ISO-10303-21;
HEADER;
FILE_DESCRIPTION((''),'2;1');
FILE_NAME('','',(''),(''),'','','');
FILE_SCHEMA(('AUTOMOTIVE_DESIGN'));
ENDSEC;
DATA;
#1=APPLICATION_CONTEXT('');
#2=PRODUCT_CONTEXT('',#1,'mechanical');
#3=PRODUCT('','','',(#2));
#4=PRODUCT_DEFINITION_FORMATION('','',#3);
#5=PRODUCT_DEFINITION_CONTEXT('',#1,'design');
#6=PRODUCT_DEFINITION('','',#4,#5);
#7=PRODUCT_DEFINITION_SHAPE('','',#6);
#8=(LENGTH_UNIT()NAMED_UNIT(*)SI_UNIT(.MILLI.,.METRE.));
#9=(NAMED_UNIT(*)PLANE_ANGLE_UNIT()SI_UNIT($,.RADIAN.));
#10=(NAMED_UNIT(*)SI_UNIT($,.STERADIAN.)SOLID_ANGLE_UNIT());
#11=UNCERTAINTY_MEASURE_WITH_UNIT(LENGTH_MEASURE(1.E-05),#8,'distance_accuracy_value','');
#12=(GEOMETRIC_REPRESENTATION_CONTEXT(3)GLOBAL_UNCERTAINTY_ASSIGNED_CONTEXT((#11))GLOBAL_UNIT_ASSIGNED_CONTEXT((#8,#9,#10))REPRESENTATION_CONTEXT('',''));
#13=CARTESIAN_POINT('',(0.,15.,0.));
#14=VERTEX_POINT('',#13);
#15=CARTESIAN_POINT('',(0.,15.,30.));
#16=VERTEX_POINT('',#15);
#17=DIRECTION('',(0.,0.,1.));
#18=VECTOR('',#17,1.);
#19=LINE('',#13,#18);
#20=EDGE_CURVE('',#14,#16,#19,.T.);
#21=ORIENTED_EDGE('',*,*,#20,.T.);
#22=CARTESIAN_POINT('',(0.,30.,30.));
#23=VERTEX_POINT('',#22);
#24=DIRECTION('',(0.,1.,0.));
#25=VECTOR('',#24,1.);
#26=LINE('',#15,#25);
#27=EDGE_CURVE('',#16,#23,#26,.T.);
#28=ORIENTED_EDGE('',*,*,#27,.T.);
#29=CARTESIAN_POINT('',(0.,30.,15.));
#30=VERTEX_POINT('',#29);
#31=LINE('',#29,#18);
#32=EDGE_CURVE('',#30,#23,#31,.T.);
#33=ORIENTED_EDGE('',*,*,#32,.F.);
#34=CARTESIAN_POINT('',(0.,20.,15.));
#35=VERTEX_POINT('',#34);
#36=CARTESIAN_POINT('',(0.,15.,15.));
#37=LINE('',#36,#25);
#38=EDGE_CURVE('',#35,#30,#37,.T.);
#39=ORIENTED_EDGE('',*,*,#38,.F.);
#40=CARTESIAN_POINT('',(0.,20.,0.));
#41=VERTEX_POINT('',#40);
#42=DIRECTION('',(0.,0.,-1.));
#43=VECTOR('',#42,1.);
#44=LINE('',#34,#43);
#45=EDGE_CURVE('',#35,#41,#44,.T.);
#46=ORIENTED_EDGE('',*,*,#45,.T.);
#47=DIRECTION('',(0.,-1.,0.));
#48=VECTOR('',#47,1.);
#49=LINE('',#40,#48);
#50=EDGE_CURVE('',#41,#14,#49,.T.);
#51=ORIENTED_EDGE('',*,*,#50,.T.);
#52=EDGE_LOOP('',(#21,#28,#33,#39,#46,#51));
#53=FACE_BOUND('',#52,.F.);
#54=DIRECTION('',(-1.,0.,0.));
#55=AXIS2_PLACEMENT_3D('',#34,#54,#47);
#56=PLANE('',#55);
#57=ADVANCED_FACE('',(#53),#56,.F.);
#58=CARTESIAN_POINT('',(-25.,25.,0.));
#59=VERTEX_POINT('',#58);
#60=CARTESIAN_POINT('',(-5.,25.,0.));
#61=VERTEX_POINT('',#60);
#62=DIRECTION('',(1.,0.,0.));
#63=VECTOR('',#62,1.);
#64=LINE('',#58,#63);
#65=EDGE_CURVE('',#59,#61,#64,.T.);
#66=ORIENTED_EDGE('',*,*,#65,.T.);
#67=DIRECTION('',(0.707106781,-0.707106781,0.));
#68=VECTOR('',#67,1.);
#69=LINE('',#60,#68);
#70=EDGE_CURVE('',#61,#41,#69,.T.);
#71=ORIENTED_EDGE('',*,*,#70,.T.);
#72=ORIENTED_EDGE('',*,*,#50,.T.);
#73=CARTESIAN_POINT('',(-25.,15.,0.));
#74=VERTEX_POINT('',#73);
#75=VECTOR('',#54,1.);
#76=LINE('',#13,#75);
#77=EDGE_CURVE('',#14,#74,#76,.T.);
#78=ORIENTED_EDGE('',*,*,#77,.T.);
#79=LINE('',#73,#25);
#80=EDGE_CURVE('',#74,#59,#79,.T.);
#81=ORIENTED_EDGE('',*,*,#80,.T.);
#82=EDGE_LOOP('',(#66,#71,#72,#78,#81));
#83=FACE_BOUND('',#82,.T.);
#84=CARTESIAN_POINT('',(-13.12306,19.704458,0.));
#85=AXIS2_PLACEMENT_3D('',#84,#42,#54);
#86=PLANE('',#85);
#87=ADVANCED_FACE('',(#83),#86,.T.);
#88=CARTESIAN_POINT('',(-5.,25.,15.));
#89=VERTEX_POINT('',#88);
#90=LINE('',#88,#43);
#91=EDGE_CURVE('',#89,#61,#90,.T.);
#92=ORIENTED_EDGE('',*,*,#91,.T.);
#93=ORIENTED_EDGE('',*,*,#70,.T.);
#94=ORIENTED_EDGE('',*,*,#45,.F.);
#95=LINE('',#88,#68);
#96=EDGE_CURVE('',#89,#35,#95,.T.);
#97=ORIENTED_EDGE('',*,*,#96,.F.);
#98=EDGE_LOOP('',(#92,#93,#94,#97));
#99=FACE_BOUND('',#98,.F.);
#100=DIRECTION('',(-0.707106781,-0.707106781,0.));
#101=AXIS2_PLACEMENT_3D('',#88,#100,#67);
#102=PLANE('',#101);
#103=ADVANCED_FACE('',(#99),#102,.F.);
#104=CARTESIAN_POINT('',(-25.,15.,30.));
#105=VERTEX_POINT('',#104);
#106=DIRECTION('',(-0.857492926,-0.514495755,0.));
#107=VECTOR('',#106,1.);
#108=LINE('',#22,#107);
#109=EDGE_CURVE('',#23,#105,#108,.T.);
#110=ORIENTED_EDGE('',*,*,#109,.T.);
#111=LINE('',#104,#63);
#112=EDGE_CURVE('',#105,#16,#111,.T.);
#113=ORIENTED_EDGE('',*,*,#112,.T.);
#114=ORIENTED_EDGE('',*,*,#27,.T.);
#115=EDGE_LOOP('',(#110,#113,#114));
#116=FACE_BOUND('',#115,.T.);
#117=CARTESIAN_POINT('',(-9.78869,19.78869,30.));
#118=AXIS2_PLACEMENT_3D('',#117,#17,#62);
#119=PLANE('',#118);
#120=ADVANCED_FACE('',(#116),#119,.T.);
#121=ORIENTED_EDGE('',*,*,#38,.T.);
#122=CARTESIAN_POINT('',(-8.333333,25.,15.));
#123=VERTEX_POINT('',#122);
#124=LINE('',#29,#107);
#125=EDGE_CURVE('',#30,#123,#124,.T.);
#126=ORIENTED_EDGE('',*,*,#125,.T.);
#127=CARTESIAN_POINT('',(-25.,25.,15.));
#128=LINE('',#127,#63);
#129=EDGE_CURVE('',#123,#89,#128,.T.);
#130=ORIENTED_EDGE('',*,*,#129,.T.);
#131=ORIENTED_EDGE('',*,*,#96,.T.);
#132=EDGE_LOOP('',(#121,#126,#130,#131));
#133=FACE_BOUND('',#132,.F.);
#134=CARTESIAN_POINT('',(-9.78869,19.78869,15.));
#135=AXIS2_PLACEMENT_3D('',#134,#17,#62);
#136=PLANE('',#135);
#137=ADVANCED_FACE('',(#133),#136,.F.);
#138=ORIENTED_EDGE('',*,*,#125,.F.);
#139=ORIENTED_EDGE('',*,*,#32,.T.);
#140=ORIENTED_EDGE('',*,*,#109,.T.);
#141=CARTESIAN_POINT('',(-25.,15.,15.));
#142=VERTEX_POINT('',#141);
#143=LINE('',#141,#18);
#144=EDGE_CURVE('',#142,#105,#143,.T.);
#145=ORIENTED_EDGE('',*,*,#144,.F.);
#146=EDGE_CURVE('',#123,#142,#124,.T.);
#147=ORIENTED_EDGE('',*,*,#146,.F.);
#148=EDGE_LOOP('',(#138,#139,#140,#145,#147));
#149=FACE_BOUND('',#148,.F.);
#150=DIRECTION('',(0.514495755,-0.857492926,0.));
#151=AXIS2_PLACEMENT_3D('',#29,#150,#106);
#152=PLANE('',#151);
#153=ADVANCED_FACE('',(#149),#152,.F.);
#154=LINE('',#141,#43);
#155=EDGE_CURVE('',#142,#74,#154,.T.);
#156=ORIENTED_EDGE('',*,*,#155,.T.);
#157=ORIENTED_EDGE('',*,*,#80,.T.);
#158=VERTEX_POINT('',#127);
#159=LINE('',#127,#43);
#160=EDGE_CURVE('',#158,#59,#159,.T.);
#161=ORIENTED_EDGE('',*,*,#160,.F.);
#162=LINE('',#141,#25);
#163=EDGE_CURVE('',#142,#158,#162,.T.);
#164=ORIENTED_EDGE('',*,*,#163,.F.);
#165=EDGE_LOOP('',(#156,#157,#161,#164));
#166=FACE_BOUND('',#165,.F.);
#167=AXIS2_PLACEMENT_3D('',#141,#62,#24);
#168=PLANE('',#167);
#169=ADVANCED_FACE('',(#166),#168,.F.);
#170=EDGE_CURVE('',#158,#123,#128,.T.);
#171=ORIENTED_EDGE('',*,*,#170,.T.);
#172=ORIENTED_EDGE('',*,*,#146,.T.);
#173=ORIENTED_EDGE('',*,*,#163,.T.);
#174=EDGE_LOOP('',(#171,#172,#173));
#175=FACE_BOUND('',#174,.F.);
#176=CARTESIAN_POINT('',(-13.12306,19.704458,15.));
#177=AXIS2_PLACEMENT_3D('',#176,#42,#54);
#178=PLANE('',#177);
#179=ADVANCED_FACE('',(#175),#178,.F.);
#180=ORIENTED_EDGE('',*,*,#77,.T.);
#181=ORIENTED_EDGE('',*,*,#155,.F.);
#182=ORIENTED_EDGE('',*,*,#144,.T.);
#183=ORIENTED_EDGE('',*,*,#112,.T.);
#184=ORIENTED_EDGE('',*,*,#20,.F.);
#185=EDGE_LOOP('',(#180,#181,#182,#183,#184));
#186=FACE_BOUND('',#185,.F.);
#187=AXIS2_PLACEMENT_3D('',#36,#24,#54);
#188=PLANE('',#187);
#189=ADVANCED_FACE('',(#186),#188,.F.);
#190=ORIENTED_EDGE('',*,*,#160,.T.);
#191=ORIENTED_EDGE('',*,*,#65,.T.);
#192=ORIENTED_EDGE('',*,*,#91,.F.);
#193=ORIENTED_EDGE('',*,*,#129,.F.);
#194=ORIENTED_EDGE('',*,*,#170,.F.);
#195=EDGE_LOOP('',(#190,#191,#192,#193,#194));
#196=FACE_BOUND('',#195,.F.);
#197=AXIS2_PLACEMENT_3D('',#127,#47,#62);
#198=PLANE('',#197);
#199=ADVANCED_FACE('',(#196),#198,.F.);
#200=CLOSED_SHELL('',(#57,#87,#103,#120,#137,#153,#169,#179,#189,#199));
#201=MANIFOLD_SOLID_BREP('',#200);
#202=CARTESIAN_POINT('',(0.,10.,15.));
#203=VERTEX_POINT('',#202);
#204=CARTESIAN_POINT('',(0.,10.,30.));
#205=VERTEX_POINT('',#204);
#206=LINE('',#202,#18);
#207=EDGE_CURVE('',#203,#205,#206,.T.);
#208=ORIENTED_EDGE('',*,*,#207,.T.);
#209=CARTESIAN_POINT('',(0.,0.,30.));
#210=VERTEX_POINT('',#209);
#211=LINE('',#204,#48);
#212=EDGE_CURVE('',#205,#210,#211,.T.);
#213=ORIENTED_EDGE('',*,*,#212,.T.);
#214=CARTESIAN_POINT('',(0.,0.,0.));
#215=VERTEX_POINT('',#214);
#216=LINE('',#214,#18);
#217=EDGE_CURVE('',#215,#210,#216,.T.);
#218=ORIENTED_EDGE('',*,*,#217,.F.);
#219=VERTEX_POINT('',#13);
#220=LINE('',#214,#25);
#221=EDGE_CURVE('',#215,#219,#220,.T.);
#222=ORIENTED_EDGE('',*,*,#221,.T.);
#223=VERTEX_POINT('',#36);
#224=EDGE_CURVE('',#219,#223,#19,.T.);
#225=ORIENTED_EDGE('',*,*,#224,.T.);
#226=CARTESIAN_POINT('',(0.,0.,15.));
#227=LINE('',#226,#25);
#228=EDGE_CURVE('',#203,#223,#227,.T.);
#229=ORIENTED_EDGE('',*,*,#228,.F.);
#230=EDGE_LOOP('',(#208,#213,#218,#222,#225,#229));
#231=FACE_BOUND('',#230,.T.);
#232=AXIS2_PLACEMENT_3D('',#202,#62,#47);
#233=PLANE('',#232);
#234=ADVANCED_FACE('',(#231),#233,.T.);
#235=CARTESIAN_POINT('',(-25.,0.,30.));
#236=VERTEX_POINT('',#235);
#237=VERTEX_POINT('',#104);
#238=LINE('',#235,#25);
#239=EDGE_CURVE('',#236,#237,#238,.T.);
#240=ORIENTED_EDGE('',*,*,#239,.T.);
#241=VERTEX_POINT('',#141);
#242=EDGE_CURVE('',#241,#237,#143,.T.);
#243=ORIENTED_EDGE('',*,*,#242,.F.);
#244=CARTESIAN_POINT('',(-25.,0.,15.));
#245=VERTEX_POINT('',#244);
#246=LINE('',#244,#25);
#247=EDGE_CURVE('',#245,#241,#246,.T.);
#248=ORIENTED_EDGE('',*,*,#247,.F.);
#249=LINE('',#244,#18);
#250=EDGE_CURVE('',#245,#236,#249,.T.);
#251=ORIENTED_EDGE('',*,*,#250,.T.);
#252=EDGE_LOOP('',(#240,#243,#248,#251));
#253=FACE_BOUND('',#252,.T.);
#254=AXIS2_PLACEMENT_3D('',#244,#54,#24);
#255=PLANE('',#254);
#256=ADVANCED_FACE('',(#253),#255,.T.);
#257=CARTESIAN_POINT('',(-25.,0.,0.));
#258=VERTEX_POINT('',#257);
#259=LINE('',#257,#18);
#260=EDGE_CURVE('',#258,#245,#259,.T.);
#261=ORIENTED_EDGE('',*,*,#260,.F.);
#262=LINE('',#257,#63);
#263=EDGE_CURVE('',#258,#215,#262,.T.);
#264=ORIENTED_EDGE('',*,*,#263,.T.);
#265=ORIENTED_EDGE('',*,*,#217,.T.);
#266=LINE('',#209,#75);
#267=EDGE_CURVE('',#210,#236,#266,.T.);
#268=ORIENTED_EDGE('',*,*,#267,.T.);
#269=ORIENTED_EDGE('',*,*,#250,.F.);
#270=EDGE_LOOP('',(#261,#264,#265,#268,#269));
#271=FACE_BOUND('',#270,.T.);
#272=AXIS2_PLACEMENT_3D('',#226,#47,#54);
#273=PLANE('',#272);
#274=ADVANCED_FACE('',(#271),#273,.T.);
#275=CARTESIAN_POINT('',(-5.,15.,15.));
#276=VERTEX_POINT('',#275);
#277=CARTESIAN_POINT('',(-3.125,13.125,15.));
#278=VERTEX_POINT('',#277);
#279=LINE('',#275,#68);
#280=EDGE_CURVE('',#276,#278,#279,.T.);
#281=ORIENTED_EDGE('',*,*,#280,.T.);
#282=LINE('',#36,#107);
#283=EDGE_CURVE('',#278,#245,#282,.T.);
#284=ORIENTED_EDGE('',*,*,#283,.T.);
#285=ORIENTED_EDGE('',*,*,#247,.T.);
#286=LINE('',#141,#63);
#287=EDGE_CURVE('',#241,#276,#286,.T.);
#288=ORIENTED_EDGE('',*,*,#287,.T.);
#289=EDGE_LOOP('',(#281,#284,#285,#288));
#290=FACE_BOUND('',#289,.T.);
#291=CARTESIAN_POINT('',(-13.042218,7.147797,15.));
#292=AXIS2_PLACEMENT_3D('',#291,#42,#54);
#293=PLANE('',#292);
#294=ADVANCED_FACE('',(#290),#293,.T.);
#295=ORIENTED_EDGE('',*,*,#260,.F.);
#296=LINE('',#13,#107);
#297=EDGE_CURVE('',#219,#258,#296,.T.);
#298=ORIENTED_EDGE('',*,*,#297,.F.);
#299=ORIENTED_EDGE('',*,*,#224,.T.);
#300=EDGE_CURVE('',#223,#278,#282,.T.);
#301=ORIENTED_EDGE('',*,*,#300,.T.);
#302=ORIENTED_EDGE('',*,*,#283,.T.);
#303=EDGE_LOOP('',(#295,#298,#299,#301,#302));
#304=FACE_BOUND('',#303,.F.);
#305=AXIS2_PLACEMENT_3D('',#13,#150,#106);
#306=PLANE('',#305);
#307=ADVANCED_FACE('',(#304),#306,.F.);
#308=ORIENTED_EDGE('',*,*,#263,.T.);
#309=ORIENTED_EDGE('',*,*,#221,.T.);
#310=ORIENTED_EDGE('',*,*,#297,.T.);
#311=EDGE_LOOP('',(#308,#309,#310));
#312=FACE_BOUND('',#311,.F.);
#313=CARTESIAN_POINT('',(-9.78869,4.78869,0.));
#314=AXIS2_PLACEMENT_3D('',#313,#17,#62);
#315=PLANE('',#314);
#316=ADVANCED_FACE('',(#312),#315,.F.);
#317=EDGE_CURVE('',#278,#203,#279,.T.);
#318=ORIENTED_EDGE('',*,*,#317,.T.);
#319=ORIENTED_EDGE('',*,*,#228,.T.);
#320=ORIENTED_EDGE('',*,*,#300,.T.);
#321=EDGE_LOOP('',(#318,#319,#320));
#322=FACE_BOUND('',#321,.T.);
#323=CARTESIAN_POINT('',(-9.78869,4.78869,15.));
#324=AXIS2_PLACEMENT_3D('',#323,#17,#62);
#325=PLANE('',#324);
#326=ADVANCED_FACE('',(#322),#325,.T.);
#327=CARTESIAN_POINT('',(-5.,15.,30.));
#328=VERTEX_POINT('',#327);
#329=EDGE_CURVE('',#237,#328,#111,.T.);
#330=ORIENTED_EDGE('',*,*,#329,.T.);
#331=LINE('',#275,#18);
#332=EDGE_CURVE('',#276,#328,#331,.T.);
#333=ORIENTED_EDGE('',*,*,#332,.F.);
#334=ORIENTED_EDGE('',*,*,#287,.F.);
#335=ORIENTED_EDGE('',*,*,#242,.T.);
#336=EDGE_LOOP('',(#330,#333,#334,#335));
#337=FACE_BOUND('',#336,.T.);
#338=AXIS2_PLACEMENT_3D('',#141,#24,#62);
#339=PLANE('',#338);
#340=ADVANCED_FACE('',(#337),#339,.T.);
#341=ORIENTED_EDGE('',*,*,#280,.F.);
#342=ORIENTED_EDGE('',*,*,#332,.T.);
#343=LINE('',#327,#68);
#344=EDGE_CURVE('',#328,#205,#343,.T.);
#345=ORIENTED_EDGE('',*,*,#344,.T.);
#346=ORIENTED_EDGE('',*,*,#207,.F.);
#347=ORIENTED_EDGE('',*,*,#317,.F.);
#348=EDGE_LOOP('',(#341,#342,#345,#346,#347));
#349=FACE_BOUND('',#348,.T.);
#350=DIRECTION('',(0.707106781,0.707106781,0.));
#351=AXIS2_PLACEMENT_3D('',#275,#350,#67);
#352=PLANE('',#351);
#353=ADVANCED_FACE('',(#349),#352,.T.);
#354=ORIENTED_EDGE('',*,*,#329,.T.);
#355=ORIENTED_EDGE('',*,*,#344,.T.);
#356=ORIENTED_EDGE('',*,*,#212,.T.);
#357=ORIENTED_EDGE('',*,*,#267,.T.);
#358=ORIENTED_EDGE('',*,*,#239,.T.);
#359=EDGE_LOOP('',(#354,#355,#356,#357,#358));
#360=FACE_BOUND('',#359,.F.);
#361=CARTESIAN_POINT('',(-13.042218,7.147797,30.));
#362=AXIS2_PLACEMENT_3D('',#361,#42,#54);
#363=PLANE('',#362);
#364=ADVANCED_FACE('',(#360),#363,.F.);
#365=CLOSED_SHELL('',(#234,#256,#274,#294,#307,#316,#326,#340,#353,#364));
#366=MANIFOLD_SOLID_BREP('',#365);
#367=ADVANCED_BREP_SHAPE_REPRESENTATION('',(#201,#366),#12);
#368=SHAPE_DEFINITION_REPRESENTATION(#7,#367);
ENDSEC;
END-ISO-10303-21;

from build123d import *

# Parameters (mm, degrees)
BOSS_EXTRUDE1_DEPTH = 15
BOSS_EXTRUDE2_DEPTH = 15
BOSS_EXTRUDE4_DEPTH = 15
BOSS_EXTRUDE5_DEPTH = 15


with BuildPart() as part:
    # Sketch1 → Boss-Extrude1 (new body)
    with BuildSketch(Plane.XY):
        Polygon((-25, 0), (0, 0), (0, 15), align=None)
    extrude(amount=BOSS_EXTRUDE1_DEPTH)

    # Sketch2 → Boss-Extrude2 (add)
    with BuildSketch(Plane.XY.offset(15)):
        Polygon((-25, 0), (-25, 15), (-5, 15), (0, 10), (0, 0), align=None)
    extrude(amount=BOSS_EXTRUDE2_DEPTH)


with BuildPart() as body_2:
    # Sketch3 → Boss-Extrude4 (new body)
    with BuildSketch(Plane.XY.offset(15)):
        Polygon((-25, 15), (0, 15), (0, 30), align=None)
    extrude(amount=BOSS_EXTRUDE4_DEPTH)

    # Sketch5 → Boss-Extrude5 (add)
    with BuildSketch(Plane(origin=(0, 0, 15), x_dir=(-1, 0, 0), z_dir=(0, 0, -1))):
        Polygon((25, 15), (25, 25), (5, 25), (0, 20), (0, 15), align=None)
    extrude(amount=BOSS_EXTRUDE5_DEPTH)


solid = Compound([part.part, body_2.part])
